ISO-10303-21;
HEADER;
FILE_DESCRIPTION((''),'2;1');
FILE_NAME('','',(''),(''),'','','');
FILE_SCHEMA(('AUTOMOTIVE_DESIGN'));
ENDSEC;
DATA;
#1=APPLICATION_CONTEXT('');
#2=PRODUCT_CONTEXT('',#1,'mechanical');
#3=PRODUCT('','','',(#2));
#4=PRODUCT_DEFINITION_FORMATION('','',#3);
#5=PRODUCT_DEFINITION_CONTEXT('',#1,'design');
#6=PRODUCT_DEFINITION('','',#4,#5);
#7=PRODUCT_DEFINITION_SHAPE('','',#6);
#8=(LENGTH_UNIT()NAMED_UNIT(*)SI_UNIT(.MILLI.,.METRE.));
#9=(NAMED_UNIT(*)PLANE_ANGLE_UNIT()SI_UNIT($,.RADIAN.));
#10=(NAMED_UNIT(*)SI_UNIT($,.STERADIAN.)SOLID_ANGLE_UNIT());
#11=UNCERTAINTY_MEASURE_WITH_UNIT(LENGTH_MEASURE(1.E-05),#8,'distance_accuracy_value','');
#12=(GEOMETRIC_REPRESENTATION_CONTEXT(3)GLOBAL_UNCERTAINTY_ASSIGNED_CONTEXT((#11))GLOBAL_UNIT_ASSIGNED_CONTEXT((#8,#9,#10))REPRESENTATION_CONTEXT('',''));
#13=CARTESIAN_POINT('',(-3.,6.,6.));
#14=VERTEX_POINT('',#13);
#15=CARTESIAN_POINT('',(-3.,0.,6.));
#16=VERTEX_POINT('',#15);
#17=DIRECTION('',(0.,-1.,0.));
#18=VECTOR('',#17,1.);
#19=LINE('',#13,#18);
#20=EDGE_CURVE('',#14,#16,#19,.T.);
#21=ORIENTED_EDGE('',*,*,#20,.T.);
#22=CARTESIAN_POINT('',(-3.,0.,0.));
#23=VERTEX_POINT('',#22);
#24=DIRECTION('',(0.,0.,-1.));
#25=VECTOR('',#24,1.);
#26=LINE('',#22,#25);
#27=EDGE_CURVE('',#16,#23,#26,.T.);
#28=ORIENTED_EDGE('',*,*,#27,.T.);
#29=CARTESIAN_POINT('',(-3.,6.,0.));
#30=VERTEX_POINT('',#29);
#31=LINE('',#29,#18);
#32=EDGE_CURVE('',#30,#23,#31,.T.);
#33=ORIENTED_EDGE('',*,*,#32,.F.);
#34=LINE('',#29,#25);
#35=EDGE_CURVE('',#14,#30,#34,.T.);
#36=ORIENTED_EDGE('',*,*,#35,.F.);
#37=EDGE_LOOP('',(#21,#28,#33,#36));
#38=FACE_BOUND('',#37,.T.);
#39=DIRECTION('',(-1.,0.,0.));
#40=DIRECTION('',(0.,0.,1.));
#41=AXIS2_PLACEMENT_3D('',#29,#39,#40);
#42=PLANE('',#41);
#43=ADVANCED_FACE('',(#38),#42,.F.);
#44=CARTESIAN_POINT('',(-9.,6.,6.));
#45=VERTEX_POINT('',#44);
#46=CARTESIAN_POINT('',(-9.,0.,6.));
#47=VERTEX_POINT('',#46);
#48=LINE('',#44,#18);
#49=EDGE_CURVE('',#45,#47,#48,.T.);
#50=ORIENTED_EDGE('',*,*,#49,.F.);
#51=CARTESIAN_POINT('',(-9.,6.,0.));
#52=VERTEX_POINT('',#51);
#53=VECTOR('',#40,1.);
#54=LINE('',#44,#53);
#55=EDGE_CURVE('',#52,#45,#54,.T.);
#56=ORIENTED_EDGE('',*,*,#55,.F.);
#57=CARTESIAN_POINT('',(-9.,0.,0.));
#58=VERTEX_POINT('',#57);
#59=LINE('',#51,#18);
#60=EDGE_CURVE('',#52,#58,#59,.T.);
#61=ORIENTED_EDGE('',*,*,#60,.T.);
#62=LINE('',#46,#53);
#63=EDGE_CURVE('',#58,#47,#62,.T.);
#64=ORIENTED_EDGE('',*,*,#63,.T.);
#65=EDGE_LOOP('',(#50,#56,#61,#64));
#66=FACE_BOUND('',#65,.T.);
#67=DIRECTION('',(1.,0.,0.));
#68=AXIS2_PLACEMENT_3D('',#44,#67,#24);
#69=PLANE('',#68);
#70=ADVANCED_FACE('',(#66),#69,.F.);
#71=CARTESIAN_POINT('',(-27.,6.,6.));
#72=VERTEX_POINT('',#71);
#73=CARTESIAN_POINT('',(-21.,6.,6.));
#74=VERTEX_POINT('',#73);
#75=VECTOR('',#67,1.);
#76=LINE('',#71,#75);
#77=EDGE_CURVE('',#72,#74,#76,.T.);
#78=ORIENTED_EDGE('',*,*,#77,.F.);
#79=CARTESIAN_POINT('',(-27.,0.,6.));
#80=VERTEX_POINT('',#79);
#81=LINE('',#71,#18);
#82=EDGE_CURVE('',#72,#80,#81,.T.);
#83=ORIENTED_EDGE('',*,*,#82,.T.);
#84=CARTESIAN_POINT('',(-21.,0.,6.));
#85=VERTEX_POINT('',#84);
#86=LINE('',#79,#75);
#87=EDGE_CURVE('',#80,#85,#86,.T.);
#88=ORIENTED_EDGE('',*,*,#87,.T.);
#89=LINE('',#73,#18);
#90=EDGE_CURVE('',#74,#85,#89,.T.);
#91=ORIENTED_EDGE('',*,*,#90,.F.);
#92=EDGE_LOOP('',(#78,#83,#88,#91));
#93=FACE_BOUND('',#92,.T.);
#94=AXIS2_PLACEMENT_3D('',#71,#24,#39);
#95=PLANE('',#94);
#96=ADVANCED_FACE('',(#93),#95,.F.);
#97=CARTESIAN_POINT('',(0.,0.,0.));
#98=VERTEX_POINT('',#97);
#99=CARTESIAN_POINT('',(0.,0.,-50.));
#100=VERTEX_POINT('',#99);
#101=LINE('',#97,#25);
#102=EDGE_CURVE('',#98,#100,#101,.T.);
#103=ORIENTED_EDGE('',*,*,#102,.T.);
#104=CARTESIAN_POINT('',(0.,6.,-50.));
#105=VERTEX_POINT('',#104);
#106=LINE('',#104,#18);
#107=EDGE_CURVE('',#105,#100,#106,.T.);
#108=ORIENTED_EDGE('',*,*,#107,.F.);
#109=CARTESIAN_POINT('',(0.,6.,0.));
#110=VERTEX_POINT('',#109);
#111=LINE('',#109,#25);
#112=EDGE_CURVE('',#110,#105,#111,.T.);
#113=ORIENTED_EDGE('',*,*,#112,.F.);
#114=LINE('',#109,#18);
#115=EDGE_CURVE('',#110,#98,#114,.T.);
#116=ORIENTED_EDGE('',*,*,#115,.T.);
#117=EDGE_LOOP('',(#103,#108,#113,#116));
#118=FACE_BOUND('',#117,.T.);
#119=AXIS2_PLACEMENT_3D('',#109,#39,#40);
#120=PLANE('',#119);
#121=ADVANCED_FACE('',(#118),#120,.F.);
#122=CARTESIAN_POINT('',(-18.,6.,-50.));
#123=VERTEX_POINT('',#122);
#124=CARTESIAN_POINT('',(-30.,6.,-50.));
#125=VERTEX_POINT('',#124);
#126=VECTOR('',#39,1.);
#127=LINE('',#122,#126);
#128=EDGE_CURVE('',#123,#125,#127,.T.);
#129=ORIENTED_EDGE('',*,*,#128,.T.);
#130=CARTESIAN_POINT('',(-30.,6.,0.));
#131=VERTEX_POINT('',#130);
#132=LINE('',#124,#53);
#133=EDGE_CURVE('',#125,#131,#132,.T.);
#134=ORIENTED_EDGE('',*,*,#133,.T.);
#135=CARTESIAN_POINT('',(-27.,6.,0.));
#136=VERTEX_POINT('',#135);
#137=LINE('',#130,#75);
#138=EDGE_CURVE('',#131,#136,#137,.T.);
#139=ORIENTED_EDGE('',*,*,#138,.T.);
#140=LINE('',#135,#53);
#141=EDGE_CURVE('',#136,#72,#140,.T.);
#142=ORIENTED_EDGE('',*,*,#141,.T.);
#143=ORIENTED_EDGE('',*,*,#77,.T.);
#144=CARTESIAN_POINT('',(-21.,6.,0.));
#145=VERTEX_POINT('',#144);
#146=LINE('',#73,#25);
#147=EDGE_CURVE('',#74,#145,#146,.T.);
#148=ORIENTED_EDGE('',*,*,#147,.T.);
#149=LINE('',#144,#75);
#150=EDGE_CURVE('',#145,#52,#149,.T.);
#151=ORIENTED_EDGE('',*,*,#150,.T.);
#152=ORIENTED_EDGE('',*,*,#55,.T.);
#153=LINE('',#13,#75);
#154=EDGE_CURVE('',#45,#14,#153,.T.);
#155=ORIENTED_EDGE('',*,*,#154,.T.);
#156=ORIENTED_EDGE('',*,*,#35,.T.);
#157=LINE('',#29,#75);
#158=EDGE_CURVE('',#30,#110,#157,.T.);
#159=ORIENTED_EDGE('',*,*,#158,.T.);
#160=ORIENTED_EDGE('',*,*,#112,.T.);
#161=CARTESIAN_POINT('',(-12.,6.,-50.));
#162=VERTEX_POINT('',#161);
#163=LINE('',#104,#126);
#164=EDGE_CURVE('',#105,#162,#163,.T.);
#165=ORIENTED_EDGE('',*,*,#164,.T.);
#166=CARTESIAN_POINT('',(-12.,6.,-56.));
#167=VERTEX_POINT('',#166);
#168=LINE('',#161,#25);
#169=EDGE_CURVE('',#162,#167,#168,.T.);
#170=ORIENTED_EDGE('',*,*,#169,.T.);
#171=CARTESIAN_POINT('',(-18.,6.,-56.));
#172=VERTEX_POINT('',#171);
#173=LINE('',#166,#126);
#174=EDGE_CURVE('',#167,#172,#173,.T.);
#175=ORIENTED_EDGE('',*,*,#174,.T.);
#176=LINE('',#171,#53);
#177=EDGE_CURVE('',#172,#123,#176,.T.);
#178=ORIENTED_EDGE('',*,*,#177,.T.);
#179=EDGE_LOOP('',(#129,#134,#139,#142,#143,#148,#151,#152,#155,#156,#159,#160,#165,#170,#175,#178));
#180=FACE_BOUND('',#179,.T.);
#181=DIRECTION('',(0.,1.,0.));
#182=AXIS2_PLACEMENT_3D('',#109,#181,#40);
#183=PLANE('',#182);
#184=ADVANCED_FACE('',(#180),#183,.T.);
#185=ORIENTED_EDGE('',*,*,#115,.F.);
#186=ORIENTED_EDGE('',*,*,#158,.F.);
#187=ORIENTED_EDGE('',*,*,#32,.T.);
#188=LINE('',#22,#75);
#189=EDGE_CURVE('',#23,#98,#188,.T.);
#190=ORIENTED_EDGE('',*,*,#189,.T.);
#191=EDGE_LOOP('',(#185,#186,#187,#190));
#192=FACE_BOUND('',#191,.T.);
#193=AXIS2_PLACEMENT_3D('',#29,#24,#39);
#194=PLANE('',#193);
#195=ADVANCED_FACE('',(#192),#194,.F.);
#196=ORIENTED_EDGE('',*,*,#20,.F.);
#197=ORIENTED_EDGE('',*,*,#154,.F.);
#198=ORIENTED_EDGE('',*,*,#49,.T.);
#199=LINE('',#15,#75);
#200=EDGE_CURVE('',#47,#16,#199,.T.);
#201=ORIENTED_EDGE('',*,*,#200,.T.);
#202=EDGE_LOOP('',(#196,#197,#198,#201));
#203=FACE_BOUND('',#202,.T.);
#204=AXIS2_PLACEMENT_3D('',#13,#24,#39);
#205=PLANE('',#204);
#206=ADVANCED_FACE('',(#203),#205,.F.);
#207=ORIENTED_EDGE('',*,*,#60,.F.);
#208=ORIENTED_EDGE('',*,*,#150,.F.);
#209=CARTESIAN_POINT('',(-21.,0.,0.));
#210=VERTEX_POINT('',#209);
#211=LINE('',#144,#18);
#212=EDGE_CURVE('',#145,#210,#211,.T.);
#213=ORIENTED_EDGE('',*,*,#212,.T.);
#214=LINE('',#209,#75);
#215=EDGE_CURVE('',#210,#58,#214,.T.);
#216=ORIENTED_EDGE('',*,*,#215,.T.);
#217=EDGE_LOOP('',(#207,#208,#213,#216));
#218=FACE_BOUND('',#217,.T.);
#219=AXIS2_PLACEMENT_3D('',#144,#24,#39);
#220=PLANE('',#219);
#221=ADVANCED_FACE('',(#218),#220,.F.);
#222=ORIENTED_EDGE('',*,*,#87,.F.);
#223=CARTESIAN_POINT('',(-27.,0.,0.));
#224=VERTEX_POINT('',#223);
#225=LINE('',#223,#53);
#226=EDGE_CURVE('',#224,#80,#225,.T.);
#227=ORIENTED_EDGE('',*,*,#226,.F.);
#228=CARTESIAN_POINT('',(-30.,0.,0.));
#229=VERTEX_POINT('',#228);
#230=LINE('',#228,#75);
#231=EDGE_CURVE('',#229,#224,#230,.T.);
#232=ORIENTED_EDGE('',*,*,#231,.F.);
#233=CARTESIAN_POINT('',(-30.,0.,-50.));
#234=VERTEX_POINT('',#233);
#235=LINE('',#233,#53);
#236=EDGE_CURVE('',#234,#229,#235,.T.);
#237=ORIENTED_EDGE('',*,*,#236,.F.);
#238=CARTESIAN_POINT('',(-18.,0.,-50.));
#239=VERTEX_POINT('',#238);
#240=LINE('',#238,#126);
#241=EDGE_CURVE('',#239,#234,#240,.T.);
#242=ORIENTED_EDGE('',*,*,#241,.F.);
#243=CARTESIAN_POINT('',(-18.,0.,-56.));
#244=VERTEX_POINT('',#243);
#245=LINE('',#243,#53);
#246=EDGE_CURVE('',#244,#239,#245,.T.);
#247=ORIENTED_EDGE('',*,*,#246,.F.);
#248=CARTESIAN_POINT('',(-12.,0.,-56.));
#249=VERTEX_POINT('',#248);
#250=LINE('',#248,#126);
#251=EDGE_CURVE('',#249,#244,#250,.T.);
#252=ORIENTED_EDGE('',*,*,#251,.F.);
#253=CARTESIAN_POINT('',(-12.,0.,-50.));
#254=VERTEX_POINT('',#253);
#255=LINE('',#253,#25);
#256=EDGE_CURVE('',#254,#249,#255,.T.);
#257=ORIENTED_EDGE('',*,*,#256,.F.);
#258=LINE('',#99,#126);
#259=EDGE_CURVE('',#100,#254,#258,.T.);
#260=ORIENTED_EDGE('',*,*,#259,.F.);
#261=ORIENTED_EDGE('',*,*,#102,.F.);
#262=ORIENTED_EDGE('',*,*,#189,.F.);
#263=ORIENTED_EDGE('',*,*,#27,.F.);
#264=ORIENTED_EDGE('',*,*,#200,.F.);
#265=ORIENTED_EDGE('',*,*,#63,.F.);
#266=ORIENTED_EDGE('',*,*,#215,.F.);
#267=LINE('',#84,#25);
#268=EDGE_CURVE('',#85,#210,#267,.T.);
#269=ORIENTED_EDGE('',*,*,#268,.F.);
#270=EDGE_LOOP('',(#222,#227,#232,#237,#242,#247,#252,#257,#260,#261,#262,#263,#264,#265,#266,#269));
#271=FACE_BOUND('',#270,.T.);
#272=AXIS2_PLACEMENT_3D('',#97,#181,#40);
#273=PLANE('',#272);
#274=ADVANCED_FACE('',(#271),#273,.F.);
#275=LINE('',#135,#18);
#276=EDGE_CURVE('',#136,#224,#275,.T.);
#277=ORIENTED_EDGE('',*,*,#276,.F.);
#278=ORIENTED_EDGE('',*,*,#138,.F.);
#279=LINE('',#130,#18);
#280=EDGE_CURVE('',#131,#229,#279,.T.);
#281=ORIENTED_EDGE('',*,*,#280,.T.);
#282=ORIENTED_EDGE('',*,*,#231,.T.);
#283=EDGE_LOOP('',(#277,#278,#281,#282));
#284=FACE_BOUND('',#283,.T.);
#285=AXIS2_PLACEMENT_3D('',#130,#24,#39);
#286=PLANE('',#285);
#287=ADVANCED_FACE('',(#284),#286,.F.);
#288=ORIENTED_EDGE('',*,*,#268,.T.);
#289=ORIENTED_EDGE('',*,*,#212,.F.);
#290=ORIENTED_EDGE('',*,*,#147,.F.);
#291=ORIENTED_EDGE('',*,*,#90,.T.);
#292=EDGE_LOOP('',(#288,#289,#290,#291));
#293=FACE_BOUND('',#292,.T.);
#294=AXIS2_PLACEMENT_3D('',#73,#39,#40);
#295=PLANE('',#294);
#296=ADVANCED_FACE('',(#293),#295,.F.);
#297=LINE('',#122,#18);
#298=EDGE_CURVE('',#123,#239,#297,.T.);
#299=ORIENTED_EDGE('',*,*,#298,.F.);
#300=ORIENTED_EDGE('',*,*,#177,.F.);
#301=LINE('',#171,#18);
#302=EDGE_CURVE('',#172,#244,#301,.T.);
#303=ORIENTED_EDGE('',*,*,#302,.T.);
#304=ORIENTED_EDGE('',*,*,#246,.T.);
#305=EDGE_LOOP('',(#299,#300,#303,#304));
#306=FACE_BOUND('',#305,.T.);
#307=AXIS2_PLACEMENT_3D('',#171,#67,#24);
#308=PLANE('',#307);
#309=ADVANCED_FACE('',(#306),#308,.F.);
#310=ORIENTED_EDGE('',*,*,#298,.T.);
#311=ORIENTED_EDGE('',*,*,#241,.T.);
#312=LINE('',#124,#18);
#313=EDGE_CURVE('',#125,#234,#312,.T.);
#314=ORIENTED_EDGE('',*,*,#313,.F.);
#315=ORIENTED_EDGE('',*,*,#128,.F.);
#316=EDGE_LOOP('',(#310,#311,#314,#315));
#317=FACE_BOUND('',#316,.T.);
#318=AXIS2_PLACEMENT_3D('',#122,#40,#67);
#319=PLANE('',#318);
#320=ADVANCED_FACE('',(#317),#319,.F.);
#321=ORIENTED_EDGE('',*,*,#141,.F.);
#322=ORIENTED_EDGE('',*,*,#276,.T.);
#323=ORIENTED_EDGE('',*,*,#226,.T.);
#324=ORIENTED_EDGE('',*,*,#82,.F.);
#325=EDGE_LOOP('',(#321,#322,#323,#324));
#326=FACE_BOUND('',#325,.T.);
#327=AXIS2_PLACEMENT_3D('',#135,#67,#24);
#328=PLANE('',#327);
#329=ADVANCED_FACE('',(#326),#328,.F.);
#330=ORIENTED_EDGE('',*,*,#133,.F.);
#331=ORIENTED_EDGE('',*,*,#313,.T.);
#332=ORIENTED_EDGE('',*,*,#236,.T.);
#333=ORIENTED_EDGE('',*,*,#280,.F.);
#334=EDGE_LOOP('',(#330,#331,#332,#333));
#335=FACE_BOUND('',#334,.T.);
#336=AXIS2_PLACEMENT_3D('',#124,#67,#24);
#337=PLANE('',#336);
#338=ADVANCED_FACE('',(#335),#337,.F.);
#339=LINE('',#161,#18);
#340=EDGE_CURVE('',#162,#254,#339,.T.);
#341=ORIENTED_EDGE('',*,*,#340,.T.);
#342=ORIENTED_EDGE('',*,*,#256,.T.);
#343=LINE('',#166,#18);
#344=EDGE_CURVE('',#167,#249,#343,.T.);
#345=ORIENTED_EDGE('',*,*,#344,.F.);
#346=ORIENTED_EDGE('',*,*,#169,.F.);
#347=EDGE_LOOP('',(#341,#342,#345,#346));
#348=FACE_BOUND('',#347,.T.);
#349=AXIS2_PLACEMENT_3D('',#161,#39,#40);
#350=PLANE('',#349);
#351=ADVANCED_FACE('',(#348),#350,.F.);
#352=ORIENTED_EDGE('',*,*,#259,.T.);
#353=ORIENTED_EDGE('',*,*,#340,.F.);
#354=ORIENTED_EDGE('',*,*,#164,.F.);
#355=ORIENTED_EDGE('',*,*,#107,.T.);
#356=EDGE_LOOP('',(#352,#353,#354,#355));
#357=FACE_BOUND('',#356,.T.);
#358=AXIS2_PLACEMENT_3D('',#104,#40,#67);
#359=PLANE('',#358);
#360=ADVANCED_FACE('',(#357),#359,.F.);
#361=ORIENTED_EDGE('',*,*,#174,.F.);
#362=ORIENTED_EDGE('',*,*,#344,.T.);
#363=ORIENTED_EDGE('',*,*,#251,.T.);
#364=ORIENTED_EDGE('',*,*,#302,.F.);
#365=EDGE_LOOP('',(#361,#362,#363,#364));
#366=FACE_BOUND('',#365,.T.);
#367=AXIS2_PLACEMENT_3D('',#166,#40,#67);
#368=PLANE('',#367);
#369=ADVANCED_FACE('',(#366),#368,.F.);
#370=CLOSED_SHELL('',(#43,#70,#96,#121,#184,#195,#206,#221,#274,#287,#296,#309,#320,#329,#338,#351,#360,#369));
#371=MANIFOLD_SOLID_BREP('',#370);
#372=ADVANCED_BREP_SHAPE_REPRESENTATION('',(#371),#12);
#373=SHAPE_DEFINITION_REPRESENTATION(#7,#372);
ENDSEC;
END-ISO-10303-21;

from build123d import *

# Parameters (mm, degrees)
BOSS_EXTRUDE1_DEPTH = 6


with BuildPart() as part:
    # Sketch1 → Boss-Extrude1 (new body)
    with BuildSketch(Plane(origin=(0, 0, 0), x_dir=(1, 0, 0), z_dir=(0, 1, 0))):
        Polygon((0, 0), (0, 50), (-12, 50), (-12, 56), (-18, 56), (-18, 50), (-30, 50), (-30, 0), (-27, 0), (-27, -6), (-21, -6), (-21, 0), (-9, 0), (-9, -6), (-3, -6), (-3, 0), align=None)
    extrude(amount=BOSS_EXTRUDE1_DEPTH)


solid = part.part
